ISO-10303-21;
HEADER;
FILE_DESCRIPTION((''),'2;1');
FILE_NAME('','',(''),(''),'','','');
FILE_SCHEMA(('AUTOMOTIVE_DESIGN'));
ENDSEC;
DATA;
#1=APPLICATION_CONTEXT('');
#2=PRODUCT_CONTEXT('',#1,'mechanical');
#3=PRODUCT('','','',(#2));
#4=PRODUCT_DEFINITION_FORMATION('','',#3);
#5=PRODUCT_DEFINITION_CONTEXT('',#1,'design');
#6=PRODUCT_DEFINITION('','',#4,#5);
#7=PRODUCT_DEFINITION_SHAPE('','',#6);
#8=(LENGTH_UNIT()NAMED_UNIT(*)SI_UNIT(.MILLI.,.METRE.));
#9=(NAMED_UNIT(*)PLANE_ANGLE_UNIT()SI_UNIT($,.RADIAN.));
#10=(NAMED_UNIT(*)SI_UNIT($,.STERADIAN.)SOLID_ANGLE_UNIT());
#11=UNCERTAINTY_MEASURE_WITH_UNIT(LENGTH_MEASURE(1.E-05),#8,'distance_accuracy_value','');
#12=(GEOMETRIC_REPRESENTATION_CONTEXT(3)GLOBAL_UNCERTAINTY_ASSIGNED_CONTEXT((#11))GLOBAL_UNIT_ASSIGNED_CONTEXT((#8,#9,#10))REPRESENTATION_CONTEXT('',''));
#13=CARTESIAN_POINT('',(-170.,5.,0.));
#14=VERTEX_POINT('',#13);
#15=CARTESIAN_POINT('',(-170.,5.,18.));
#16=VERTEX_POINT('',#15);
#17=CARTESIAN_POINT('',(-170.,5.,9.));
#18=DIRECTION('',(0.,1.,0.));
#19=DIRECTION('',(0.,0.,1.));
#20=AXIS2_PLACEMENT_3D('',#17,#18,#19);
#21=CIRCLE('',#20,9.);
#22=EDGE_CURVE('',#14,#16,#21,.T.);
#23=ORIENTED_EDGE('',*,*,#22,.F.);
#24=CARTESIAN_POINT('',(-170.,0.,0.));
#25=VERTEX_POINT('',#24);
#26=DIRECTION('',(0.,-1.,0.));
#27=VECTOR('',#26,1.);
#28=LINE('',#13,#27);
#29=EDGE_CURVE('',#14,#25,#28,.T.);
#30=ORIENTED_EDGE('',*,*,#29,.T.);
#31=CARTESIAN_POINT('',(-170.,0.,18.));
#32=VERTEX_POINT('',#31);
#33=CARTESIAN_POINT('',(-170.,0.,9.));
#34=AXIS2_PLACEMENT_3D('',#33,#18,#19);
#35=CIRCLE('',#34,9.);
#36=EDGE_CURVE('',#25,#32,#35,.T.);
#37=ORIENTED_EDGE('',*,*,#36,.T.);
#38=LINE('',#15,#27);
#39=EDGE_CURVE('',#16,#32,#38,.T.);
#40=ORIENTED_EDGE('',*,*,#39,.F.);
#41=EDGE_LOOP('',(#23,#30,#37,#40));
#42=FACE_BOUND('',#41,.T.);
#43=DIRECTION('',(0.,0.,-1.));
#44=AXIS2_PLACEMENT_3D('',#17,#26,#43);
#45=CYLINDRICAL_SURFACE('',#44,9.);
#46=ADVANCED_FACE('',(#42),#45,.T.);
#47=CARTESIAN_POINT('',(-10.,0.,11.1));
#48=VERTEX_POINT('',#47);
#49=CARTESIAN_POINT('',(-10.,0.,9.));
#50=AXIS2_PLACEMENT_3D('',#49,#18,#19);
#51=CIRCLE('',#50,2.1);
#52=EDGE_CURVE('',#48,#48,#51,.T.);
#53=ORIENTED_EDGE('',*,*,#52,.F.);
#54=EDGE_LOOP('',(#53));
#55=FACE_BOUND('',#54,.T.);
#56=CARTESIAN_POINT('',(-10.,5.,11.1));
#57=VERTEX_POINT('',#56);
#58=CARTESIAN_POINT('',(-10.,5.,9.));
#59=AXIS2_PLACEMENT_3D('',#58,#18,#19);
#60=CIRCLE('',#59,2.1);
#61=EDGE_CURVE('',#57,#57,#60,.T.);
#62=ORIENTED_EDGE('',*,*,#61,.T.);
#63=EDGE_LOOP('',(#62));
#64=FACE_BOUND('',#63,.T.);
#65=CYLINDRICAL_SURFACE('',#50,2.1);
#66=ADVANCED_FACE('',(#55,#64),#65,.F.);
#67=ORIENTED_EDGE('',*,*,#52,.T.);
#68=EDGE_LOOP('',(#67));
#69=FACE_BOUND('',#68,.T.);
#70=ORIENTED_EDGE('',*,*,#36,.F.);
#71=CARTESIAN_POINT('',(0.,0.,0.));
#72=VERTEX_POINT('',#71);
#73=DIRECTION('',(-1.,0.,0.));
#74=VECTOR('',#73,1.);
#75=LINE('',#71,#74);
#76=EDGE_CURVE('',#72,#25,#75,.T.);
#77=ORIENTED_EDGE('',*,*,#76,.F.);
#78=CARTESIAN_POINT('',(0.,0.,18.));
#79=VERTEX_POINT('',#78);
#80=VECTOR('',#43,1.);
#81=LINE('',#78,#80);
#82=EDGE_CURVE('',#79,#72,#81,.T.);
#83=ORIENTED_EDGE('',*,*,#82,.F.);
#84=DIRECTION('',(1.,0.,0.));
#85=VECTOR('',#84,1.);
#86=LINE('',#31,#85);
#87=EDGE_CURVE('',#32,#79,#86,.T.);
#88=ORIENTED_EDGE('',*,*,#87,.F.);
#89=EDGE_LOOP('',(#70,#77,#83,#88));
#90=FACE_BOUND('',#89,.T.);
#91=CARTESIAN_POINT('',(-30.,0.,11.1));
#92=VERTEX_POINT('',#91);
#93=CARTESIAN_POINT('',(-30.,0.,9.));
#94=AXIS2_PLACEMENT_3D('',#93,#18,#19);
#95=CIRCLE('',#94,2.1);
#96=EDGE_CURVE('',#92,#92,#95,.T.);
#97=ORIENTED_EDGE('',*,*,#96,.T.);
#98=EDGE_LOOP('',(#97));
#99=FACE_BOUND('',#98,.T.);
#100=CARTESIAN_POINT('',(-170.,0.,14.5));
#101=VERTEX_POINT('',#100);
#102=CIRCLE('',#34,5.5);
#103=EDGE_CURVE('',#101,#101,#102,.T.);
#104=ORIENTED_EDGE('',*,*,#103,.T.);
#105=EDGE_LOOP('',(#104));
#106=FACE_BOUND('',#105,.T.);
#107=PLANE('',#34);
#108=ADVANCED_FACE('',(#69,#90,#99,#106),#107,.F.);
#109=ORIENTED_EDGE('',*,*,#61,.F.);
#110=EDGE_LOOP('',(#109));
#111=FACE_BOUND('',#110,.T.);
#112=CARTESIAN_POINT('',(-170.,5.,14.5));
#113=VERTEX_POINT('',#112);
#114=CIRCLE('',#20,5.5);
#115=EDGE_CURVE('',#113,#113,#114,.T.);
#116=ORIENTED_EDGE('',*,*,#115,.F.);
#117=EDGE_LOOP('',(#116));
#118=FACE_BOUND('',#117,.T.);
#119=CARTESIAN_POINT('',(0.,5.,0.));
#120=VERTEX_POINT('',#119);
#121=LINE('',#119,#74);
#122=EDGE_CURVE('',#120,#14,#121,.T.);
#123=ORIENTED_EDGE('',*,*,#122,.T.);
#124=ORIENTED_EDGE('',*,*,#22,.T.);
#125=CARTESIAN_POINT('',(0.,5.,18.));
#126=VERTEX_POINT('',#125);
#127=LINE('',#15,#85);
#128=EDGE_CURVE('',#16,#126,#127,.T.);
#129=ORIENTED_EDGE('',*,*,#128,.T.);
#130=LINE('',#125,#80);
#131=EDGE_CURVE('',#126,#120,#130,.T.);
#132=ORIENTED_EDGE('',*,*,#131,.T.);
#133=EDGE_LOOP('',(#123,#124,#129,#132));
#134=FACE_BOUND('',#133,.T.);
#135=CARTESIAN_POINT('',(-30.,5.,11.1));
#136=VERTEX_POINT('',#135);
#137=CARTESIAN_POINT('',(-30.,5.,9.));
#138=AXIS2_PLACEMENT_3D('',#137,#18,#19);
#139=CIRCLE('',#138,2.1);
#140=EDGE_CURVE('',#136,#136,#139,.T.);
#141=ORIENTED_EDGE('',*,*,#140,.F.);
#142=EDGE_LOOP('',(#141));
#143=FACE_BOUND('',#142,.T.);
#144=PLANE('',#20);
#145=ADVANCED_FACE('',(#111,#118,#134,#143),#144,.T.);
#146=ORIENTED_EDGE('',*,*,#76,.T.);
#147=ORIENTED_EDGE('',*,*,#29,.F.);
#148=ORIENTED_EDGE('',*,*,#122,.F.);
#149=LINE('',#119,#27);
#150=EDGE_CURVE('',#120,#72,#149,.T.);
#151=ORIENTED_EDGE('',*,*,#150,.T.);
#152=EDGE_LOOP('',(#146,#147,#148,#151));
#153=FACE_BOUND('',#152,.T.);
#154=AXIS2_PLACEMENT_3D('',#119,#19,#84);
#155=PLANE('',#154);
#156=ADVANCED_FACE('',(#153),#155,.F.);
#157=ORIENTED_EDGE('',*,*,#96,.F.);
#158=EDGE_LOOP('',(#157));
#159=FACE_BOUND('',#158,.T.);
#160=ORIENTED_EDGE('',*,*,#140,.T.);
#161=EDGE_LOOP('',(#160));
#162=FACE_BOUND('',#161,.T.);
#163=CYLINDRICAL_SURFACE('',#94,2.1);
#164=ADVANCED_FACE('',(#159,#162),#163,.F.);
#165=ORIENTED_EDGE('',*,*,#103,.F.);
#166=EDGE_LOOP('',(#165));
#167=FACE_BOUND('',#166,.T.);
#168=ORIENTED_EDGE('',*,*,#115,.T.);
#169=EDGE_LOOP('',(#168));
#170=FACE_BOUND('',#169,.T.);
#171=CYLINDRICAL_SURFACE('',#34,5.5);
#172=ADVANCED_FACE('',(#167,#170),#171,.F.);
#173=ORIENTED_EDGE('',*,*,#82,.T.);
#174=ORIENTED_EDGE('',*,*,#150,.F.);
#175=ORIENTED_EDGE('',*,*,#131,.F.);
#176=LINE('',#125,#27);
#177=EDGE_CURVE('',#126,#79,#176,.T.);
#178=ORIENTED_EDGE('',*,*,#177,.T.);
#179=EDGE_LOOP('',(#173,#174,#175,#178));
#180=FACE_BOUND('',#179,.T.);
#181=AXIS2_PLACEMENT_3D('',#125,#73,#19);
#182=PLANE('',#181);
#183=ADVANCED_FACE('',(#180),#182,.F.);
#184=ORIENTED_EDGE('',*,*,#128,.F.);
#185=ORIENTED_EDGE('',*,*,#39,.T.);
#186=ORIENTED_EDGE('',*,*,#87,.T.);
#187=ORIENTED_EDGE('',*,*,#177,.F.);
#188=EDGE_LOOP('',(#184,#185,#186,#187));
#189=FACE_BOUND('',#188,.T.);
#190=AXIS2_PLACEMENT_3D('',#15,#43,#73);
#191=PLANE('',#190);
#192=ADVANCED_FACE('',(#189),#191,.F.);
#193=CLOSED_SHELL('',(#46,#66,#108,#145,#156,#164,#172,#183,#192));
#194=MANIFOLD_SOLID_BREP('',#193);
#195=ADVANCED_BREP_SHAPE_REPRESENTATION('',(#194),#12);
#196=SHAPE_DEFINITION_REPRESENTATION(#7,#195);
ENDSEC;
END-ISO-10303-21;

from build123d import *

# Parameters (mm, degrees)
BOSS_EXTRUDE1_DEPTH = 5
SKETCH4_R           = 2.1
CUT_EXTRUDE2_DEPTH  = 180.972220079
SKETCH5_R           = 5.5
CUT_EXTRUDE3_DEPTH  = 180.972220079


with BuildPart() as part:
    # Sketch1 → Boss-Extrude1 (new body)
    with BuildSketch(Plane(origin=(0, 0, 0), x_dir=(1, 0, 0), z_dir=(0, 1, 0))):
        with BuildLine():
            Line((0, 0), (-170, 0))
            ThreePointArc((-170, 0), (-179, -9), (-170, -18))
            Line((-170, -18), (0, -18))
            Line((0, -18), (0, 0))
        make_face()
    extrude(amount=BOSS_EXTRUDE1_DEPTH)

    # Sketch4 → Cut-Extrude2 (cut, through all)
    with BuildSketch(Plane(origin=(0, 5, 0), x_dir=(1, 0, 0), z_dir=(0, 1, 0))):
        with Locations(Location((-10, -9, 0), (0, 0, 270))):
            Circle(SKETCH4_R)
        with Locations(Location((-30, -9, 0), (0, 0, 270))):
            Circle(SKETCH4_R)
    extrude(amount=-CUT_EXTRUDE2_DEPTH, mode=Mode.SUBTRACT)

    # Sketch5 → Cut-Extrude3 (cut, through all)
    with BuildSketch(Plane(origin=(0, 5, 0), x_dir=(1, 0, 0), z_dir=(0, 1, 0))):
        with Locations(Location((-170, -9, 0), (0, 0, 270))):
            Circle(SKETCH5_R)
    extrude(amount=-CUT_EXTRUDE3_DEPTH, mode=Mode.SUBTRACT)


solid = part.part
